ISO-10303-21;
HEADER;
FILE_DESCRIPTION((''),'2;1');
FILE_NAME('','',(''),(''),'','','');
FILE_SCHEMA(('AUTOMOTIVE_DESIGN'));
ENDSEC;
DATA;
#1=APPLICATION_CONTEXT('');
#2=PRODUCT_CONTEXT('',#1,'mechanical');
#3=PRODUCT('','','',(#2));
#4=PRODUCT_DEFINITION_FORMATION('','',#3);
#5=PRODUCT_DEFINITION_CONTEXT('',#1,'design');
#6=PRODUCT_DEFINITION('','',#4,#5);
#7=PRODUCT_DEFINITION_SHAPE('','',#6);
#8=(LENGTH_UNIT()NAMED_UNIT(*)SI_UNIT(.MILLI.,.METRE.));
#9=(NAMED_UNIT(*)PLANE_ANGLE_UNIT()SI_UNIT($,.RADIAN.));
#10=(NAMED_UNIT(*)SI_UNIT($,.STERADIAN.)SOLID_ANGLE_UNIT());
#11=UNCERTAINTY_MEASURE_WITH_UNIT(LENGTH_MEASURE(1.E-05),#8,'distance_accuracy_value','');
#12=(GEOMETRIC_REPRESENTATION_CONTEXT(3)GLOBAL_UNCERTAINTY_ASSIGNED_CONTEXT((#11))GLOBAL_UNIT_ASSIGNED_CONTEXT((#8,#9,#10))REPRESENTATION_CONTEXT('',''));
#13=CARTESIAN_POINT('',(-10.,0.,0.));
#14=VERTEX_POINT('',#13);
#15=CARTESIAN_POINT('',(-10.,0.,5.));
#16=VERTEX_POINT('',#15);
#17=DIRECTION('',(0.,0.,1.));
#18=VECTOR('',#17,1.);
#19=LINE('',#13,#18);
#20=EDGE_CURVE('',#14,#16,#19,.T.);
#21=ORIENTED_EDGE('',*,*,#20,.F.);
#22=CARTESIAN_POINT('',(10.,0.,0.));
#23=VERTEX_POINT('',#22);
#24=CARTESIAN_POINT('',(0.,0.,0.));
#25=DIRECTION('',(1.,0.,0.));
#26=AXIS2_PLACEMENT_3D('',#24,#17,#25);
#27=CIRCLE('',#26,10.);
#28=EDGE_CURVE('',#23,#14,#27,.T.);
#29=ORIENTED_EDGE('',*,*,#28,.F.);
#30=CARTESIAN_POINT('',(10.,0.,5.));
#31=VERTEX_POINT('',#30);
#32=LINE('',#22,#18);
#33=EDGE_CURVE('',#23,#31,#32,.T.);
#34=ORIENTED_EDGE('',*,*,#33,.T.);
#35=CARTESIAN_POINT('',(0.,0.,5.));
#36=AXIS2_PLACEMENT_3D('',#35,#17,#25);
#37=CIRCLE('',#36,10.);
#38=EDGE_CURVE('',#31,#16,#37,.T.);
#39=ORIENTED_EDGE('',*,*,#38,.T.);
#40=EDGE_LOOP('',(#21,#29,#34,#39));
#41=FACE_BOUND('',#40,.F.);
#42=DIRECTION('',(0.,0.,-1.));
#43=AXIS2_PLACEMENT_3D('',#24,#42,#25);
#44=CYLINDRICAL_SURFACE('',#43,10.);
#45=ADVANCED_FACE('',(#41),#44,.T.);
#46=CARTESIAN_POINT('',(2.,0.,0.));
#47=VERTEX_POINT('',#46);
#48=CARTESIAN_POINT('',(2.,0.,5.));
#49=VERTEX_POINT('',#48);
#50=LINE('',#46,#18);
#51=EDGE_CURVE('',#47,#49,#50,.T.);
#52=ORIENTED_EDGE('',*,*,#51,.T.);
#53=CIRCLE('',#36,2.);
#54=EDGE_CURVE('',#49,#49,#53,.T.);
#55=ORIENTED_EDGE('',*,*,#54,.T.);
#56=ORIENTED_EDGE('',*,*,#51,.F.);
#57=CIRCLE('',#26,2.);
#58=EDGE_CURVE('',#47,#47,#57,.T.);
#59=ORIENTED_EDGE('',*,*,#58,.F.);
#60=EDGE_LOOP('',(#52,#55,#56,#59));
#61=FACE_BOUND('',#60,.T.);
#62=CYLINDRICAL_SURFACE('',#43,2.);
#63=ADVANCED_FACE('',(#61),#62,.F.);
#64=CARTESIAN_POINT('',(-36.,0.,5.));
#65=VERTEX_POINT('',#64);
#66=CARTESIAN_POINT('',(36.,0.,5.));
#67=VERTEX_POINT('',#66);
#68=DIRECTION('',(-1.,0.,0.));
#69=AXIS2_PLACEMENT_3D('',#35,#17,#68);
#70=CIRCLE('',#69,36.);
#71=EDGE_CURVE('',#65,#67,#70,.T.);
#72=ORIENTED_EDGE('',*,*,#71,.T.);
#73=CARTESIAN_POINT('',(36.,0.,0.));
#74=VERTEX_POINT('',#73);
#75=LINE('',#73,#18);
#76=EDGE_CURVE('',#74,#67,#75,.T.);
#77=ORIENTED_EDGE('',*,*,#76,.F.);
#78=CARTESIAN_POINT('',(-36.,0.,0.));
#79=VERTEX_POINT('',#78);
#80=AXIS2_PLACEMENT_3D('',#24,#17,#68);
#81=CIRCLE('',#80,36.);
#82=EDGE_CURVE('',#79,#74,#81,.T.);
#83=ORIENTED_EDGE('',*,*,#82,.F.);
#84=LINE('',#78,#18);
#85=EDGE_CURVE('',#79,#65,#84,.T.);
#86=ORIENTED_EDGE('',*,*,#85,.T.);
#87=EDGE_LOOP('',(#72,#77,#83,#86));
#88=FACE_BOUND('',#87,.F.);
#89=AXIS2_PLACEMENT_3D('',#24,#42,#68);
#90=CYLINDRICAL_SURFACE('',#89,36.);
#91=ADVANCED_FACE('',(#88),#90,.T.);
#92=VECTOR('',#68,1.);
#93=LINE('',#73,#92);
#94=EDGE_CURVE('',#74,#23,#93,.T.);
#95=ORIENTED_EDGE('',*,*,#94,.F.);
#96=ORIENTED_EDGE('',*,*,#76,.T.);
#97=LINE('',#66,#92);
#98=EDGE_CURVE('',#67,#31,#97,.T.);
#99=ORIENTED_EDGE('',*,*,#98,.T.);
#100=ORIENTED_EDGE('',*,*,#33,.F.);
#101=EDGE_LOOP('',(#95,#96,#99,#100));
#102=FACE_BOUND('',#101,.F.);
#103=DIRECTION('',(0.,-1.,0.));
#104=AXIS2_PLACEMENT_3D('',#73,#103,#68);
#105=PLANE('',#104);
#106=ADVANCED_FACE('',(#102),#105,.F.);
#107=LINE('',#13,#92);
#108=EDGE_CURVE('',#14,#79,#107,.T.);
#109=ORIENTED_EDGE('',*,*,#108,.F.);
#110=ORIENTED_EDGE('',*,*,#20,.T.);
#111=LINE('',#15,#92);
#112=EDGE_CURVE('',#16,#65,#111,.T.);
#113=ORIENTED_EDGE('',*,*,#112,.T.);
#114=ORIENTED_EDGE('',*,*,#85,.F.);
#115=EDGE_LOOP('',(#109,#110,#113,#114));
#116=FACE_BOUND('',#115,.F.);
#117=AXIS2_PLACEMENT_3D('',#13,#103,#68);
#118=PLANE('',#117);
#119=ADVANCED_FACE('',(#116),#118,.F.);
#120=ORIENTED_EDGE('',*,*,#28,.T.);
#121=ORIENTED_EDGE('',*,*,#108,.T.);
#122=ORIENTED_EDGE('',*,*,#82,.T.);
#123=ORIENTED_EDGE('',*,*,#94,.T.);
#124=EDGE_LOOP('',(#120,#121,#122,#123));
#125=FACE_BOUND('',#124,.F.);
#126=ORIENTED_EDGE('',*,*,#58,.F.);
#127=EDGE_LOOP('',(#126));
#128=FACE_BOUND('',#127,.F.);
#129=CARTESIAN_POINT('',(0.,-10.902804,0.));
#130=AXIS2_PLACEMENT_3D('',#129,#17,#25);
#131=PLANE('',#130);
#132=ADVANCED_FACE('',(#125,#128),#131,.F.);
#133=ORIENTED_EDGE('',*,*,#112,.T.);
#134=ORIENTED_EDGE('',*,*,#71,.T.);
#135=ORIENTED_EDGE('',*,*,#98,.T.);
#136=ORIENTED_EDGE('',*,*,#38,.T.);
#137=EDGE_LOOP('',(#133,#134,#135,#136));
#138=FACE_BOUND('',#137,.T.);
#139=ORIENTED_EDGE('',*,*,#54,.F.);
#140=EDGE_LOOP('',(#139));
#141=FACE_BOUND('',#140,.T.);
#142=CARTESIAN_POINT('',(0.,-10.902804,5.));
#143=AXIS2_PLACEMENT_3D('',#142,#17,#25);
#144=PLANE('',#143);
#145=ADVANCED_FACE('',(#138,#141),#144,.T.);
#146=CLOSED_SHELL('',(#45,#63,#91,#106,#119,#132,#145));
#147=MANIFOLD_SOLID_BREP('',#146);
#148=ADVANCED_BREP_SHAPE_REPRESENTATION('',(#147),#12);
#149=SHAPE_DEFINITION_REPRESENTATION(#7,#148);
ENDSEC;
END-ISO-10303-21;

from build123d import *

# Parameters (mm, degrees)
F0_R     = 2
F1_DEPTH = 5


with BuildPart() as f1:
    # F0 (on Top) → F1 (new body)
    with BuildSketch(Plane.XY):
        with BuildLine():
            ThreePointArc((10, 0), (0, 10), (-10, 0))
            Line((-10, 0), (-36, 0))
            ThreePointArc((-36, 0), (0, -36), (36, 0))
            Line((36, 0), (10, 0))
        make_face()
        Circle(F0_R, mode=Mode.SUBTRACT)
    extrude(amount=F1_DEPTH)


solid = f1.part
